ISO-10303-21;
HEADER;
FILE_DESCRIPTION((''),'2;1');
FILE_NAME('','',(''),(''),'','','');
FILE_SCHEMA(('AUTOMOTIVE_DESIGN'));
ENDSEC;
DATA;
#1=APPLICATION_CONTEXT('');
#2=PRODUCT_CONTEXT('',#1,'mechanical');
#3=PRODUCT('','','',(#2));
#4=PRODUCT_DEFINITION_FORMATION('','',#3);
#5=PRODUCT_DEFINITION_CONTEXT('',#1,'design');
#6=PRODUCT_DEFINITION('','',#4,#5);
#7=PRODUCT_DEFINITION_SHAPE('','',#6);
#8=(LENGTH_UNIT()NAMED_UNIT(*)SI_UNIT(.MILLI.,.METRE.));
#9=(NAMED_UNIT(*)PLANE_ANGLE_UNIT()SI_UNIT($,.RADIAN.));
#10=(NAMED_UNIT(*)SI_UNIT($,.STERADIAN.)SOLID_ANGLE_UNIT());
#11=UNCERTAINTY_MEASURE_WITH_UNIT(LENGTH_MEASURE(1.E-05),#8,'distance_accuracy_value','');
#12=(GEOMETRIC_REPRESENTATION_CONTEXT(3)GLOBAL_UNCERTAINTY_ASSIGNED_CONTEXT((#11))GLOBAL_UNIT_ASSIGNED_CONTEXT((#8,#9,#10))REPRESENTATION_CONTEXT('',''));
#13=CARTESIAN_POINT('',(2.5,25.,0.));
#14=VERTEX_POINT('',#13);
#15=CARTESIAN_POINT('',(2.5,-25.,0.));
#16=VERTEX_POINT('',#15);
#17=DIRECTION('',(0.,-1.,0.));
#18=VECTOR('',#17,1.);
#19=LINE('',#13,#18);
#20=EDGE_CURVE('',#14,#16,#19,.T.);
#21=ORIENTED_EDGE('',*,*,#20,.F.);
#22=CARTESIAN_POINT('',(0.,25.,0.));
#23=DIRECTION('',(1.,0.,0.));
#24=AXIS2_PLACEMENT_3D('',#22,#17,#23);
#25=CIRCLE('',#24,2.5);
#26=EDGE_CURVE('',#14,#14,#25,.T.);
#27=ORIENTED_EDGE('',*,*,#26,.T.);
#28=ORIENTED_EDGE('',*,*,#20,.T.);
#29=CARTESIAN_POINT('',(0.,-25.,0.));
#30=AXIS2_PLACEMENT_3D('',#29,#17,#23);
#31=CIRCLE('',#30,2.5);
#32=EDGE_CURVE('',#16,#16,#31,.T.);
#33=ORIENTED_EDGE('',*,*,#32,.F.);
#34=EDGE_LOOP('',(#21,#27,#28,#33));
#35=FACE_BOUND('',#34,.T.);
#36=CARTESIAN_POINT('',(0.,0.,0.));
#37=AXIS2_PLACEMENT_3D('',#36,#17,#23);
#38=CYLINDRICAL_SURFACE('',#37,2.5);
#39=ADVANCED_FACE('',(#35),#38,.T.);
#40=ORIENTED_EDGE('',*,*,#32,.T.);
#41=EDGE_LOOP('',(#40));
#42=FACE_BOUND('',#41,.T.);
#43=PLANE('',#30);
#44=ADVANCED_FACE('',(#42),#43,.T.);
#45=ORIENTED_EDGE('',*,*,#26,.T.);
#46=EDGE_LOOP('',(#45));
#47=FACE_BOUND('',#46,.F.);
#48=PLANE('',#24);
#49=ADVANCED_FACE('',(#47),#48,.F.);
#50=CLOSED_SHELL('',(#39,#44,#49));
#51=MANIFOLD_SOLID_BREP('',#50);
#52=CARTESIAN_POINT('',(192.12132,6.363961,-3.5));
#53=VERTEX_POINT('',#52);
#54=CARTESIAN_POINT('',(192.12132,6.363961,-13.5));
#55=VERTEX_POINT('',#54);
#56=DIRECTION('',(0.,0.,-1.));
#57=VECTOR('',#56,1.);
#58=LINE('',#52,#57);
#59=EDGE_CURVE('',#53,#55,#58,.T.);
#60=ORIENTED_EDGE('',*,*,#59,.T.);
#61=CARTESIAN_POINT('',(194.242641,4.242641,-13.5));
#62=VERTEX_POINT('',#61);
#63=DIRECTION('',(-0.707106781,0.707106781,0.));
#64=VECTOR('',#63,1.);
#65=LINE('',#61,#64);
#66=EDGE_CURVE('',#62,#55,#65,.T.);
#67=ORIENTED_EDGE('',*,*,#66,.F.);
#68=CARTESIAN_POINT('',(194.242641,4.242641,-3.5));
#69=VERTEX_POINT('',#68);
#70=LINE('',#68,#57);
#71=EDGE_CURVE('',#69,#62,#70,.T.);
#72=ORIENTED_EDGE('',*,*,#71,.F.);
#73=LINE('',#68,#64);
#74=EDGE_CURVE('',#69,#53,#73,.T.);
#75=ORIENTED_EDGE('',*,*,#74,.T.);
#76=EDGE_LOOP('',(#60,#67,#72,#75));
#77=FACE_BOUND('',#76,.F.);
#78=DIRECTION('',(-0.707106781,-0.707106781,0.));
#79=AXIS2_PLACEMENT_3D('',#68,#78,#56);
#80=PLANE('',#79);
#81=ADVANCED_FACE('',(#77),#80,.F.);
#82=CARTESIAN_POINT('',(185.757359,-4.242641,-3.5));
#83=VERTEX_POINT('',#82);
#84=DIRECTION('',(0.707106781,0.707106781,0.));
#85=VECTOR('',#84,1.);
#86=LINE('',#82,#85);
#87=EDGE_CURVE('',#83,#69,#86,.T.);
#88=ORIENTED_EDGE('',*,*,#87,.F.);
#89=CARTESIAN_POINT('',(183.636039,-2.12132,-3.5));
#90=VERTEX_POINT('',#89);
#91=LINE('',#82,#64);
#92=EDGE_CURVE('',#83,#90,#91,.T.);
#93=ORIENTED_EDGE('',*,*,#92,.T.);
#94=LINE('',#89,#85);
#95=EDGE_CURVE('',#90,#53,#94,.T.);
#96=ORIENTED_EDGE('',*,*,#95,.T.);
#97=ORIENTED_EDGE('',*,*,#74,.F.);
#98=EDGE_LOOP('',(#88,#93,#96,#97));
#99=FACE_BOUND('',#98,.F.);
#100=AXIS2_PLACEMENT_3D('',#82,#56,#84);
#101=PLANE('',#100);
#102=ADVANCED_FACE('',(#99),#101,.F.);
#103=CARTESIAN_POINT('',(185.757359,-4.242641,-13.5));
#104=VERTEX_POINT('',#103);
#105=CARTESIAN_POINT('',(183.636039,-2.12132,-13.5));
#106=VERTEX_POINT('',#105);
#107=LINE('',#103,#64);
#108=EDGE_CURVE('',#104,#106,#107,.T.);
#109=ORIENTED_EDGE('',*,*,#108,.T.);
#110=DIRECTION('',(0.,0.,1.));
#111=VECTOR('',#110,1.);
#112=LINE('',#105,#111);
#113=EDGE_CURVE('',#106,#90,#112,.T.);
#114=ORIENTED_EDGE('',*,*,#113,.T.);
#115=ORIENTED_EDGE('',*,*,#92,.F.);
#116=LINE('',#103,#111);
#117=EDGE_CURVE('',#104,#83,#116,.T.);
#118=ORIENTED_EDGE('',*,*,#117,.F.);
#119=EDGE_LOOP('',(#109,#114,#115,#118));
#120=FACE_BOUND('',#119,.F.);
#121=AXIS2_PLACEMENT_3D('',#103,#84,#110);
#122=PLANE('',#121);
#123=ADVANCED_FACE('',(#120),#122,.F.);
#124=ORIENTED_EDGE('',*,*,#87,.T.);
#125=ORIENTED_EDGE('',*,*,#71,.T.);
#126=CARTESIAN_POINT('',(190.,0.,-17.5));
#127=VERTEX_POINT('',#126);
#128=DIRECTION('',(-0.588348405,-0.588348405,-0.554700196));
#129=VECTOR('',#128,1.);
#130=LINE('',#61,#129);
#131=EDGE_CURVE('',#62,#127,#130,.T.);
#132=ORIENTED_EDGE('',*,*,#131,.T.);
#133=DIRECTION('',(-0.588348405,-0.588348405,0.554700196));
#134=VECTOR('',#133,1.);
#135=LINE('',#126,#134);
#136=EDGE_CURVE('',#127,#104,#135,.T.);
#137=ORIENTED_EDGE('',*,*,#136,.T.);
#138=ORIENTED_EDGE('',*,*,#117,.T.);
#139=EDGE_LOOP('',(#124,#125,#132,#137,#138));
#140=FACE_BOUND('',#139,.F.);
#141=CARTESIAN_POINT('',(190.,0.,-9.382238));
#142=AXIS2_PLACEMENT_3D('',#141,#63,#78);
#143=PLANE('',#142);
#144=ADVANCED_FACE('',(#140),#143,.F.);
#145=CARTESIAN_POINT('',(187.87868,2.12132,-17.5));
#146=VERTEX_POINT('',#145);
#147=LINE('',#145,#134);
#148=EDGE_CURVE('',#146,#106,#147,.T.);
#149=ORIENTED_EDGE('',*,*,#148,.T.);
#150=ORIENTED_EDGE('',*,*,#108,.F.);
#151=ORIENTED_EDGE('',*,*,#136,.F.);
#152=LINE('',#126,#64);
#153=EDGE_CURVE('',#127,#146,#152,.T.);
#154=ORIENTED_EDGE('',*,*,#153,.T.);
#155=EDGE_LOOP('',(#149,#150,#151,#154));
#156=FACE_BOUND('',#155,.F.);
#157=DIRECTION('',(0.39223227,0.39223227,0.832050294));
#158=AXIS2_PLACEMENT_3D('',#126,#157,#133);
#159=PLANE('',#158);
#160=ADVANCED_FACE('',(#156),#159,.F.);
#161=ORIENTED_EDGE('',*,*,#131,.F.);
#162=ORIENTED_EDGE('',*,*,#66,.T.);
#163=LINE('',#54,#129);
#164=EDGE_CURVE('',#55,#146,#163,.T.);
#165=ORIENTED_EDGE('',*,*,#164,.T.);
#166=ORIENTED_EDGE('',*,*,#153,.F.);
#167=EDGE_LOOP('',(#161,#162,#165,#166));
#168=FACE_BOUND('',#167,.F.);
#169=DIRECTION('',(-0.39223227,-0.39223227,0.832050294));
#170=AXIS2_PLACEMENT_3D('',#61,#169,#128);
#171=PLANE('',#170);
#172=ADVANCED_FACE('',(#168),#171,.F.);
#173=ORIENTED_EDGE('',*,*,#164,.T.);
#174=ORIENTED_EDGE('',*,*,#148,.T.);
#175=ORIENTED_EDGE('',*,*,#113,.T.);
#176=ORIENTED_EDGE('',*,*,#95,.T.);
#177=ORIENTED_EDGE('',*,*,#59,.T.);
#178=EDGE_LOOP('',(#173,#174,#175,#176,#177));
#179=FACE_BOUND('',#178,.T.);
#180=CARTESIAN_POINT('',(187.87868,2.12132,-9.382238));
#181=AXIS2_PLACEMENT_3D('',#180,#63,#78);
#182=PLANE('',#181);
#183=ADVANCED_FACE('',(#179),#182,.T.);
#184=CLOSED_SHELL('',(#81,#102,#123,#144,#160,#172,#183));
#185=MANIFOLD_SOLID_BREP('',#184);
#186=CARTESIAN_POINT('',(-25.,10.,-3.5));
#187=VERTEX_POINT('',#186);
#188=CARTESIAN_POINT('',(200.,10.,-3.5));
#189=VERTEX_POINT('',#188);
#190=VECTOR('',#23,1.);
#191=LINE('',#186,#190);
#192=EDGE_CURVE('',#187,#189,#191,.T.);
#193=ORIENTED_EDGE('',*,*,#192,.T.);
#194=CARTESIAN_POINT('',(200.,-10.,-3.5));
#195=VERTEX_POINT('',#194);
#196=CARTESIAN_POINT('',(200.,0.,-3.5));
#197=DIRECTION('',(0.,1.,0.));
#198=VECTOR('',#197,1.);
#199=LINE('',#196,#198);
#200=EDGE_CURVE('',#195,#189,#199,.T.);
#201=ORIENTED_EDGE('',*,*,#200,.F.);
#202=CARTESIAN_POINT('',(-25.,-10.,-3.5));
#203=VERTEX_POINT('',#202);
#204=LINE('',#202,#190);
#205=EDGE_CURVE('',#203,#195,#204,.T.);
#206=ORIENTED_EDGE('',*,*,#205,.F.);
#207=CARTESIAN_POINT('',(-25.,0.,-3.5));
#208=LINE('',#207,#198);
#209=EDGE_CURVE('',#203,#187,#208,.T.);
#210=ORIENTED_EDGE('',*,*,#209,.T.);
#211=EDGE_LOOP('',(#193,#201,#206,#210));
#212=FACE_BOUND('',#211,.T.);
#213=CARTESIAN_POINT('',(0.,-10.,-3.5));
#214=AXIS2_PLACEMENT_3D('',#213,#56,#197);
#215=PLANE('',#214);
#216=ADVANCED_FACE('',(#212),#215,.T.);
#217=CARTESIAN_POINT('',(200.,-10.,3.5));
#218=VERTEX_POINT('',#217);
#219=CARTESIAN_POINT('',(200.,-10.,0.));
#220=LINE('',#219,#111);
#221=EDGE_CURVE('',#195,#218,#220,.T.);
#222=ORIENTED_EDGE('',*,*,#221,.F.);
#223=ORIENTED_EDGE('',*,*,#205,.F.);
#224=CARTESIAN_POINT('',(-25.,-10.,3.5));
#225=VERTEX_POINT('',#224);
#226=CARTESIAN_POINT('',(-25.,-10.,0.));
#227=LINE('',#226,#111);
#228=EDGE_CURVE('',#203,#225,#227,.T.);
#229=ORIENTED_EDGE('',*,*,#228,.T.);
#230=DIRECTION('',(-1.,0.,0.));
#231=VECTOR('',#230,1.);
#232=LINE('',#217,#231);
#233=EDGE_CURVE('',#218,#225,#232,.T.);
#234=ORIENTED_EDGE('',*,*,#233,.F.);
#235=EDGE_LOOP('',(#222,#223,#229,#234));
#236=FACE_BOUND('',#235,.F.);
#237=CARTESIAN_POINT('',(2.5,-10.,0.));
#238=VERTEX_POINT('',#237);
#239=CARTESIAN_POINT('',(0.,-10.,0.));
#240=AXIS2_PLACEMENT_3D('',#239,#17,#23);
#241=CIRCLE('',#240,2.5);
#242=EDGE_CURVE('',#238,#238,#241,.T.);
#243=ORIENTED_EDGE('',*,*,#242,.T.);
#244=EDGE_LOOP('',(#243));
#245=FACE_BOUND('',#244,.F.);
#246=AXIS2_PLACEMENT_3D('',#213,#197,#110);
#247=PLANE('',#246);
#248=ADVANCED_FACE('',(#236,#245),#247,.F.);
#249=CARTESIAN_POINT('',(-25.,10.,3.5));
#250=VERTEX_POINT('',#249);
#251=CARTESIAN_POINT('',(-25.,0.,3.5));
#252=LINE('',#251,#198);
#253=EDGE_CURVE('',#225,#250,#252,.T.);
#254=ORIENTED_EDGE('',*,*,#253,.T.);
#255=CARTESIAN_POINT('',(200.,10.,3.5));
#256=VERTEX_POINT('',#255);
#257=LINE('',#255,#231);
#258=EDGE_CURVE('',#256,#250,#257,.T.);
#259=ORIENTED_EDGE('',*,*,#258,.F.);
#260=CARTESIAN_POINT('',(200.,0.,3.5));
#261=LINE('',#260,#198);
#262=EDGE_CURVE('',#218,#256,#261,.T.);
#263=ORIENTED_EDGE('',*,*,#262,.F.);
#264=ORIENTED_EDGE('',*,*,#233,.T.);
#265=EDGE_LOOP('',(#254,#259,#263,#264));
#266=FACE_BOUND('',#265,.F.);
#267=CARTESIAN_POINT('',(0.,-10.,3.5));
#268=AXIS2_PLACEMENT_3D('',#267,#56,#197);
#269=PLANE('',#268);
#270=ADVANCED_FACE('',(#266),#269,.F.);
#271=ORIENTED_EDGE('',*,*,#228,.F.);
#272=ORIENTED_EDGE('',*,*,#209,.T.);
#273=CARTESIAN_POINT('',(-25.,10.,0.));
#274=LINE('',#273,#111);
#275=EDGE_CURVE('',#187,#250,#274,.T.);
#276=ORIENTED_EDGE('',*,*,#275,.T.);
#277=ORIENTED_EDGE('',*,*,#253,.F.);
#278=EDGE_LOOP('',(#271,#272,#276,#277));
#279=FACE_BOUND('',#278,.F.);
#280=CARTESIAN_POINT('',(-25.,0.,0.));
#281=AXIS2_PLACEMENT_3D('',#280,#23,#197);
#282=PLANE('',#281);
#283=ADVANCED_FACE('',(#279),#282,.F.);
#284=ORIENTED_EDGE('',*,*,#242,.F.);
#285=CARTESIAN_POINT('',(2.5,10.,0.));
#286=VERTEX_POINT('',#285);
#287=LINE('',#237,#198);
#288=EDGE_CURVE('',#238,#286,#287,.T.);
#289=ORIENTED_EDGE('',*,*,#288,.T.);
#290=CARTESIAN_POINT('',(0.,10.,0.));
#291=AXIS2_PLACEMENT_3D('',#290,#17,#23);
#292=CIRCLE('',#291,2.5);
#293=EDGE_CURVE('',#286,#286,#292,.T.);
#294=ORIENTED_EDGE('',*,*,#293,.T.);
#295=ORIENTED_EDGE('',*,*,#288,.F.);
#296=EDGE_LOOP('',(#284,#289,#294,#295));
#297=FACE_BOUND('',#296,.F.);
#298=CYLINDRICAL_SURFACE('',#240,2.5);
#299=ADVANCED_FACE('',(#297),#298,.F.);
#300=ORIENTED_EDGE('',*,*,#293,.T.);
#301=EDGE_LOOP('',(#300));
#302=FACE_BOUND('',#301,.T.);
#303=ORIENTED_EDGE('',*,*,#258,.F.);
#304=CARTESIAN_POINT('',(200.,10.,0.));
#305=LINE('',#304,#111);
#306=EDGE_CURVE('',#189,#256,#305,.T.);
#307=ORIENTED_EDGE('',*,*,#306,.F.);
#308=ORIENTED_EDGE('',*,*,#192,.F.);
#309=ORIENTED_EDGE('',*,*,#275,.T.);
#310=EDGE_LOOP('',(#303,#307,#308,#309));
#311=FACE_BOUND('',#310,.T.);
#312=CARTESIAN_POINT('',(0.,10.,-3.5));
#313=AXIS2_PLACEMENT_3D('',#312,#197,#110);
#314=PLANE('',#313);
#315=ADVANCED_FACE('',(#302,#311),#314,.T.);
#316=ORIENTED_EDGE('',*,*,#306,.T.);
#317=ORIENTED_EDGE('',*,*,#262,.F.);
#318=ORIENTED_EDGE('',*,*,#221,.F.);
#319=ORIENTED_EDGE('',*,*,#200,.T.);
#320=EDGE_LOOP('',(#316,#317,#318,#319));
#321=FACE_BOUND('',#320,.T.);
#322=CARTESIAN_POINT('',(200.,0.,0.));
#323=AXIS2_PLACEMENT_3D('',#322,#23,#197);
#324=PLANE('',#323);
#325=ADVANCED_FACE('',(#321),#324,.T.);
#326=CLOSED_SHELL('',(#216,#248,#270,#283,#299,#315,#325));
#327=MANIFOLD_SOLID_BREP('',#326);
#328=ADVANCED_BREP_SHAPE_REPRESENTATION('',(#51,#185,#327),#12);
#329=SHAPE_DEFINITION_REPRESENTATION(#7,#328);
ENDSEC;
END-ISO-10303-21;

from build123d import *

# Parameters (mm, degrees)
F0_W      = 20
F0_H      = 7
F1_DEPTH  = 200
F2_DEPTH  = 25
F3_R      = 2.5
F4_DEPTH  = 20
F5_R      = 2.5
F6_DEPTH  = 25
F10_DEPTH = 3


with BuildPart() as f1:
    # F0 (on Right) → F1 (new body)
    with BuildSketch(Plane.YZ):
        Rectangle(F0_W, F0_H)
    extrude(amount=F1_DEPTH)

    # F2 (add): a face of the model
    f2_faces = [f1.faces().sort_by_distance(p)[0] for p in [
        (0, 0, 0),
    ]]
    extrude(f2_faces, amount=F2_DEPTH)

    # F3 (on face) → F4 (cut, through all)
    with BuildSketch(Plane.XZ.offset(10)):
        Circle(F3_R)
    extrude(amount=-F4_DEPTH, mode=Mode.SUBTRACT)


with BuildPart() as f6:
    # F5 (on Front) → F6 (new body, symmetric)
    with BuildSketch(Plane.XZ):
        Circle(F5_R)
    extrude(amount=F6_DEPTH, both=True)


with BuildPart() as f10:
    # F9 (on face) → F10 (new body)
    with BuildSketch(Plane(origin=(95, -95, 0), x_dir=(-0.7071067812, -0.7071067812, 0), z_dir=(-0.7071067812, 0.7071067812, 0))):
        Polygon((-128.3502884254, -3.5), (-140.3502884254, -3.5), (-140.3502884254, -13.5), (-134.3502884254, -17.5), (-128.3502884254, -13.5), align=None)
    extrude(amount=F10_DEPTH)


solid = Compound([f1.part, f6.part, f10.part])
